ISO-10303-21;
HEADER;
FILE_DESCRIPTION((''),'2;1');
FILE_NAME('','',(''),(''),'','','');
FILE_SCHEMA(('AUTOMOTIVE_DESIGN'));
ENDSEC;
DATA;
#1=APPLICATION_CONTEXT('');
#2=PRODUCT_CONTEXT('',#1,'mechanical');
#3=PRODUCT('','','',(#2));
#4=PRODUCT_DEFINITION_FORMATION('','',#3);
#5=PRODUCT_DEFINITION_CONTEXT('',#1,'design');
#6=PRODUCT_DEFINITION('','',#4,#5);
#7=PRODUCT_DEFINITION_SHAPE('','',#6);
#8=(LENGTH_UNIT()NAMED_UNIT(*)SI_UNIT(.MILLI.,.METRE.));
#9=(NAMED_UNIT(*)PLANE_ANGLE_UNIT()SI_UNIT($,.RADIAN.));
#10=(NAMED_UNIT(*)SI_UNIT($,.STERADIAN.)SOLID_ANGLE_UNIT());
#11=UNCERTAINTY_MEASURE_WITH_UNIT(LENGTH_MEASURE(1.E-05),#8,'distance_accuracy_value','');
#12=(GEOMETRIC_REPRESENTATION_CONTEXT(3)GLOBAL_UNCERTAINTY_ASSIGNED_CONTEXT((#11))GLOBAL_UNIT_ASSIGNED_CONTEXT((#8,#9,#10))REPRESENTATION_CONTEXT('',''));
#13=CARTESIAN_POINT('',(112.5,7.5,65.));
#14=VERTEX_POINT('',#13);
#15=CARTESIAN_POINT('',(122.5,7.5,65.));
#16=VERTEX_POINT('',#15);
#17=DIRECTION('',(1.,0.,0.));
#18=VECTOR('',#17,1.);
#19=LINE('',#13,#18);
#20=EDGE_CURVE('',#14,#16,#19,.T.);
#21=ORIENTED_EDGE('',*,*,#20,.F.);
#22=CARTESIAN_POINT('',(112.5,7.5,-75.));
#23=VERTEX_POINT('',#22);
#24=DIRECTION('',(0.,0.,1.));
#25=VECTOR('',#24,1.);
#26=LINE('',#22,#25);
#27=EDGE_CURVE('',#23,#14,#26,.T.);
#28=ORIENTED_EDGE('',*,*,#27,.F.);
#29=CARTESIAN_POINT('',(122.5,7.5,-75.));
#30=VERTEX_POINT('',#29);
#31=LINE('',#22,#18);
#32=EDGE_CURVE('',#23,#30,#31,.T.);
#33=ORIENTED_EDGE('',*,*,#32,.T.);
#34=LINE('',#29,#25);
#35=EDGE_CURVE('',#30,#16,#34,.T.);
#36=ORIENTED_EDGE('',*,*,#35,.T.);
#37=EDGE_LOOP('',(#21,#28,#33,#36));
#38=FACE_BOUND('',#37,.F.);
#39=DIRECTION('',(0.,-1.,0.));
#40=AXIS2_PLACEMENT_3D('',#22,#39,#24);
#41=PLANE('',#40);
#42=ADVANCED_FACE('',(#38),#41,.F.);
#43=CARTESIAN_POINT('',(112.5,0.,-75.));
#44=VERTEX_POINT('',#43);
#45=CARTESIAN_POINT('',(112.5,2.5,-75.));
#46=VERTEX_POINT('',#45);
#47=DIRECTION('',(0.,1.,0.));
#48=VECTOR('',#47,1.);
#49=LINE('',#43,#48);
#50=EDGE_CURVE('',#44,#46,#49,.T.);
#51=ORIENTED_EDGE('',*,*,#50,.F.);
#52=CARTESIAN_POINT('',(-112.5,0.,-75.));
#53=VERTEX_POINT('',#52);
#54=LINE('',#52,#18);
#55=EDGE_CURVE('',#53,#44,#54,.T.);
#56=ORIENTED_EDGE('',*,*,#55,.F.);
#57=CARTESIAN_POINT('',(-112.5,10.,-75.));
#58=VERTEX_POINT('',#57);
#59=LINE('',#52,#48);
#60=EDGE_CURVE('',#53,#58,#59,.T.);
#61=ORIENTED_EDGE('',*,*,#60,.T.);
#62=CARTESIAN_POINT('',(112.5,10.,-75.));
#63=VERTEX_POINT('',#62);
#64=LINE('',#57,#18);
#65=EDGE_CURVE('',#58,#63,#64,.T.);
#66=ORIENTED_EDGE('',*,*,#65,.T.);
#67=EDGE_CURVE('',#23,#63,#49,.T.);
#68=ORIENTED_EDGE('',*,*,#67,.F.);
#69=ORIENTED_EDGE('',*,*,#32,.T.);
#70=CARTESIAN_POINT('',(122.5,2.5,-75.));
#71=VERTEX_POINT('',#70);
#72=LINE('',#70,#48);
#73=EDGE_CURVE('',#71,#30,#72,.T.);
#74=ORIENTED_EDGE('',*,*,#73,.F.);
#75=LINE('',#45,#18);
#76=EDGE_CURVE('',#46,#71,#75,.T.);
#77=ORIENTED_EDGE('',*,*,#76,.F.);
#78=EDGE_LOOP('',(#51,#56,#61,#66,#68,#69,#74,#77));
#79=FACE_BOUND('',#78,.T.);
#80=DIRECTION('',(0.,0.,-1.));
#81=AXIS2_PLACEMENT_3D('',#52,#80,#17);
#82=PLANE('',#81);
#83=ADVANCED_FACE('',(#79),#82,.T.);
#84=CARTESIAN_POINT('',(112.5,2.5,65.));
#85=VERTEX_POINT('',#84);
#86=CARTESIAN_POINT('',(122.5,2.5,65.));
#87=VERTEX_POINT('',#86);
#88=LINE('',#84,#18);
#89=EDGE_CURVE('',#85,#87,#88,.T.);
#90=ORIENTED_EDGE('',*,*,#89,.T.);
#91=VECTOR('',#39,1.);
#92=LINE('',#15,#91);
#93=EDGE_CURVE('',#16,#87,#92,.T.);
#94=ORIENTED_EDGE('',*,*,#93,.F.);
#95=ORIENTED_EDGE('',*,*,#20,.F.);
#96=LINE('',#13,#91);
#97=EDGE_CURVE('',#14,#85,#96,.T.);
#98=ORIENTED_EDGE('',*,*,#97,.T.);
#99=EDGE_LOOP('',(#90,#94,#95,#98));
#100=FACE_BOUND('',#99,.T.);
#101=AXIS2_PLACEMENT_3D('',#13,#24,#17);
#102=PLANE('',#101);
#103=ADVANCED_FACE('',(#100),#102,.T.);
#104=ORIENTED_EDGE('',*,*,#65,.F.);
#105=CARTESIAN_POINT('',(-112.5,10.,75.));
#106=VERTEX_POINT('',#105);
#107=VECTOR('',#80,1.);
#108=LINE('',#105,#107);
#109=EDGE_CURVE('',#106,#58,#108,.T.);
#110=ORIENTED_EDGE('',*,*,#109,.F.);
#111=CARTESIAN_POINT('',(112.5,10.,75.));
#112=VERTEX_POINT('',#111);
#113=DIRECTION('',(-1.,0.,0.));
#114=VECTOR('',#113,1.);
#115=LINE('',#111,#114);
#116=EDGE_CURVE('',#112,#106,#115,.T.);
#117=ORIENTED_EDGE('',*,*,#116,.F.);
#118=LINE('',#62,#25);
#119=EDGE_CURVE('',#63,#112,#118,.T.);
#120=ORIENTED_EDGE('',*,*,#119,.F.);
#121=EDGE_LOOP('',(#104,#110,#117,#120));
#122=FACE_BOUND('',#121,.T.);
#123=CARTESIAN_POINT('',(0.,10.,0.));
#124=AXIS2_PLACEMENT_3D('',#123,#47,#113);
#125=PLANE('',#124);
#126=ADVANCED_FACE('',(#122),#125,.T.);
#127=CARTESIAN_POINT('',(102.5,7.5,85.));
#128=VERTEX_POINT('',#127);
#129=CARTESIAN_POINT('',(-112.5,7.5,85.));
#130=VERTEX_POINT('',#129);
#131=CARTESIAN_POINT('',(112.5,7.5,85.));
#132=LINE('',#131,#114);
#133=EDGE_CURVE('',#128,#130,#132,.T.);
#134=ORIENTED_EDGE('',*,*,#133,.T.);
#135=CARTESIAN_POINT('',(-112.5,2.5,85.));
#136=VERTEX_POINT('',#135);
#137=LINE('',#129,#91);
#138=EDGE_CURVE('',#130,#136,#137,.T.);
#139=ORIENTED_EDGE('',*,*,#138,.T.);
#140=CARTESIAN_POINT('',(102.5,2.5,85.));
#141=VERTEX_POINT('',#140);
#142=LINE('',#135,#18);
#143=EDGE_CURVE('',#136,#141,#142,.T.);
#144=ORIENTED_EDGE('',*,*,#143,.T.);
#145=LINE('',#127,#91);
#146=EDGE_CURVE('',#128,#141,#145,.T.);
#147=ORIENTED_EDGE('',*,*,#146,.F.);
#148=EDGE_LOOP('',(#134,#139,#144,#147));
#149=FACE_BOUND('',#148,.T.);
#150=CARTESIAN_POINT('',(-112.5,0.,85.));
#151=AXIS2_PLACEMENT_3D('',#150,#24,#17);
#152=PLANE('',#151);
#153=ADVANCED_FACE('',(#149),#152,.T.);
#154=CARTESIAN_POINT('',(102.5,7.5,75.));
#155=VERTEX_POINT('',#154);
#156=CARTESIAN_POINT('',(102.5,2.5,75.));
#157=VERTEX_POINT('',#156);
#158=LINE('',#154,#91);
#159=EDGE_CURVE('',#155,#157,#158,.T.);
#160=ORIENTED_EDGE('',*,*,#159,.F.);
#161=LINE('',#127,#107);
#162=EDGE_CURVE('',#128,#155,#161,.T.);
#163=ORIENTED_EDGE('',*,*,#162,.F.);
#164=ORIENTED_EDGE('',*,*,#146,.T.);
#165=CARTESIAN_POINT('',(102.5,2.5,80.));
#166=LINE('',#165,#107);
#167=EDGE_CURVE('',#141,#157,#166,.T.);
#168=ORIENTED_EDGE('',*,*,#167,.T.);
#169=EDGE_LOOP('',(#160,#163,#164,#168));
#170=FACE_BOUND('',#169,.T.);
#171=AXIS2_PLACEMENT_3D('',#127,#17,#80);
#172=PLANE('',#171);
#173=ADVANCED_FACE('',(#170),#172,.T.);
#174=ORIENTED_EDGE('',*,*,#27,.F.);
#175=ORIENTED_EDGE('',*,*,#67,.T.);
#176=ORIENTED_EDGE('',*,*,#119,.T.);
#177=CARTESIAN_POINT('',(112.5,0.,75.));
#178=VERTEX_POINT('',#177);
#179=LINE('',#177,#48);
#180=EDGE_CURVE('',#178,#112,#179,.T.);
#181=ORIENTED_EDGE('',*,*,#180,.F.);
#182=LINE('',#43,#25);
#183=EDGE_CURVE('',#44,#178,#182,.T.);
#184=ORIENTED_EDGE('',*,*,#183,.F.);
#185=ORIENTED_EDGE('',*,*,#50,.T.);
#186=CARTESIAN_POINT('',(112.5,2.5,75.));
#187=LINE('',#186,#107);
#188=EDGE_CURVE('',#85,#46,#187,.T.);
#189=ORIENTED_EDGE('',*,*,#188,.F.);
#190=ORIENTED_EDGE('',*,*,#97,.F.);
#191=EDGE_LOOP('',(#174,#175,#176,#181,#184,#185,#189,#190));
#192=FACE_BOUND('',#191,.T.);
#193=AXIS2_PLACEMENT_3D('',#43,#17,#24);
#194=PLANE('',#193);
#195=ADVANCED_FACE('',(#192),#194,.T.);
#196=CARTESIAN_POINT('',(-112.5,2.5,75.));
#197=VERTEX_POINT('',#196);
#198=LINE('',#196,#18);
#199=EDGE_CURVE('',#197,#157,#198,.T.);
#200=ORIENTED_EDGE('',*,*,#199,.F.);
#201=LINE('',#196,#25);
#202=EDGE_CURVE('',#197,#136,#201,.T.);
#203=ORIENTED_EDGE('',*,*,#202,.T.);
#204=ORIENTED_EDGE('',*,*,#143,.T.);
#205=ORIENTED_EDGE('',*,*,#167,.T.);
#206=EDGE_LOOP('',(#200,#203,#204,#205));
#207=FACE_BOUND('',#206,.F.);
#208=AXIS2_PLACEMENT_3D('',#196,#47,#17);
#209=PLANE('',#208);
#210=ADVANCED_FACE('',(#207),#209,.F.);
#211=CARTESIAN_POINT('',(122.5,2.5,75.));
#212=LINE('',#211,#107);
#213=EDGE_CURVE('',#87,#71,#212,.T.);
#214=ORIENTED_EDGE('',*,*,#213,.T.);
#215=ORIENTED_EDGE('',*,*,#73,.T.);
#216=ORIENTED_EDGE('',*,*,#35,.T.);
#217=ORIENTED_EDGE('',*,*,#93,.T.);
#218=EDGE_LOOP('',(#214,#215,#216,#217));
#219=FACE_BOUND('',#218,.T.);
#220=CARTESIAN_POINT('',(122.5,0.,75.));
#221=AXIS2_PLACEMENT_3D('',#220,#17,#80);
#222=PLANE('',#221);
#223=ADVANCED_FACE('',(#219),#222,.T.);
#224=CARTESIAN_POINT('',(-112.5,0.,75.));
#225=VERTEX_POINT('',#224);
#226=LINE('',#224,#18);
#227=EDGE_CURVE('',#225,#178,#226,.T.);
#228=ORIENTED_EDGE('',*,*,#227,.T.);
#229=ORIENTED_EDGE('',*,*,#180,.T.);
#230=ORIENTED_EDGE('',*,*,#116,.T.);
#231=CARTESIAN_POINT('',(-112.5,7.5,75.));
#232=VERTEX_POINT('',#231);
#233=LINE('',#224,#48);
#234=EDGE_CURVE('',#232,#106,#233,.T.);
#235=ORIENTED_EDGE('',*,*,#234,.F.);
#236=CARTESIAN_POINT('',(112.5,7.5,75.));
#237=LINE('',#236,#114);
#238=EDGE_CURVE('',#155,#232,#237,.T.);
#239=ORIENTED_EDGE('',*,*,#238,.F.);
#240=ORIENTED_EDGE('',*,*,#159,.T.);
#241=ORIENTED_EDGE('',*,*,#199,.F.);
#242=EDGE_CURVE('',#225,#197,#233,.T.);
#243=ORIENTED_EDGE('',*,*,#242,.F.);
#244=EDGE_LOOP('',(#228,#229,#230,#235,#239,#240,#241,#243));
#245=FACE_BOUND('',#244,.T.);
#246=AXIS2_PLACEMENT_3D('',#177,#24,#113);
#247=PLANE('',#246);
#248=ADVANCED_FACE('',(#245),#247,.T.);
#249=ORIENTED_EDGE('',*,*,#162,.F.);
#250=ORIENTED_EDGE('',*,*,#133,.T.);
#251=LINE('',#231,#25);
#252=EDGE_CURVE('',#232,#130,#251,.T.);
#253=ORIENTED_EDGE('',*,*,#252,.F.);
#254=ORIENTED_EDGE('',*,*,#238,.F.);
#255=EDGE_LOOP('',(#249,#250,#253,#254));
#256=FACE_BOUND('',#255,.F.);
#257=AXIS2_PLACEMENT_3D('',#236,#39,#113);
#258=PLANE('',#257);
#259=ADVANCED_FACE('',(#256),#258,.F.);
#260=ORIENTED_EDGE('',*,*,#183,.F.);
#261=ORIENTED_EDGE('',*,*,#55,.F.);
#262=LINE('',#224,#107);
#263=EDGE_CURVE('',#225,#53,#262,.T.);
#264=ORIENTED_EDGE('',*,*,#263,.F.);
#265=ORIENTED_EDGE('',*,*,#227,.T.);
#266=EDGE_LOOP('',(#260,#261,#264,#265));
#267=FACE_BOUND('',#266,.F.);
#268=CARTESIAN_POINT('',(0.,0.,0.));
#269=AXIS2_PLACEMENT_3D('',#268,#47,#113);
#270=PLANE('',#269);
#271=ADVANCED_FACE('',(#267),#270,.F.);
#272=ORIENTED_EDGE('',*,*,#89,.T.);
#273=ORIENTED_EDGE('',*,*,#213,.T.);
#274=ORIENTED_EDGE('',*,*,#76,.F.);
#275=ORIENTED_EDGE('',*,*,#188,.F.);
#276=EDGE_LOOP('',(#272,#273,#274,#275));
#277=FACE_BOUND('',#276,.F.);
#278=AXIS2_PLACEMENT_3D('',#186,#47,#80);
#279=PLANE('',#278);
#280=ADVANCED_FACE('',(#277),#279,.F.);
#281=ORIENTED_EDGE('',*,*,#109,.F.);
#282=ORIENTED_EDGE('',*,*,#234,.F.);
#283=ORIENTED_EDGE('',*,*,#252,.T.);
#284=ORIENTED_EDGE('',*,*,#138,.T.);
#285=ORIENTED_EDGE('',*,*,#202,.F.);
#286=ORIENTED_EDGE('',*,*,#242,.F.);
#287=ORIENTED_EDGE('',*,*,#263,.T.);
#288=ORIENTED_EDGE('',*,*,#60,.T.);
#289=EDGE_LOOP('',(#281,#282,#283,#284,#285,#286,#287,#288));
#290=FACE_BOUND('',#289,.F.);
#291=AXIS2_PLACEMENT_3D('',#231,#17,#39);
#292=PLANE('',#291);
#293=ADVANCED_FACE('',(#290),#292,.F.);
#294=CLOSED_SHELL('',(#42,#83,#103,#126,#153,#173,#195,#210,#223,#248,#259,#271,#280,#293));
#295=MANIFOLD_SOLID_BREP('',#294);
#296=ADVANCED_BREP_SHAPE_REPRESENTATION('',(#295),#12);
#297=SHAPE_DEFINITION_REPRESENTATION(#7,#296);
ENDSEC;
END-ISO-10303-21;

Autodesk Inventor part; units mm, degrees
ref_plane "YZ Plane" through (0, 0, 0) normal (1, 0, 0) x (0, 1, 0)
ref_plane "XZ Plane" through (0, 0, 0) normal (0, 1, 0) x (-1, 0, 0)
ref_plane "XY Plane" through (0, 0, 0) normal (0, 0, 1) x (1, 0, 0)
sketch "Sketch1" plane through (0, 0, 0) normal (0, 1, 0) x (-1, 0, 0)
  line L0 (-112.5, 75) -> (112.5, 75)
  line L1 (112.5, 75) -> (112.5, -75)
  line L2 (112.5, -75) -> (-112.5, -75)
  line L3 (-112.5, -75) -> (-112.5, 75)
  line L4 (-112.5, 75) -> (112.5, -75) construction
  line L5 (112.5, 75) -> (-112.5, -75) construction
  point P0 (0, 0)
  dimension "d0" = 225
  dimension "d1" = 150
extrude "Extrusion1" add sketch "Sketch1" along normal blind 10
sketch "Sketch2" plane through (112.5, 0, 75) normal (1, 0, 0) x (0, 0, -1)
  line L0 (0, 2.5) -> (150, 2.5)
  line L1 (150, 2.5) -> (150, 7.5)
  line L2 (150, 7.5) -> (0, 7.5)
  line L3 (0, 7.5) -> (0, 2.5)
  point P0 (75, 0)
  point P1 (0, 5)
  dimension "d4" = 150
  dimension "d5" = 5
extrude "Extrusion2" add sketch "Sketch2" along normal blind 10
sketch "Sketch3" plane through (-112.5, 0, 75) normal (0, 0, 1) x (1, 0, 0)
  line L0 (0, 2.5) -> (225, 2.5)
  line L1 (225, 2.5) -> (225, 7.5)
  line L2 (225, 7.5) -> (0, 7.5)
  line L3 (0, 7.5) -> (0, 2.5)
  point P0 (112.5, 0)
  dimension "d8" = 225
  dimension "d9" = 5
extrude "Extrusion3" add sketch "Sketch3" along normal blind 10
sketch "Sketch4" plane through (-112.5, 7.5, 75) normal (0, 1, 0) x (1, 0, 0)
  line L0 (0, -10) -> (225, -10) projected
  line L1 (225, -10) -> (215, -10)
  line L2 (215, -10) -> (215, 0)
  line L3 (215, 0) -> (225, 0)
  line L4 (225, 0) -> (225, -10)
  line L5 (235, 150) -> (235, 0) projected
  line L6 (235, 0) -> (225, 0)
  line L7 (225, 0) -> (225, 10)
  line L8 (225, 10) -> (235, 10)
  line L9 (235, 10) -> (235, 0)
  point P0 (112.5, 75)
  dimension "d12" = 10
  dimension "d13" = 10
  dimension "d14" = 10
  dimension "d15" = 10
extrude "Extrusion4" cut sketch "Sketch4" against normal blind 10
properties part number "TSU_Baseplate_Male_Cut"
